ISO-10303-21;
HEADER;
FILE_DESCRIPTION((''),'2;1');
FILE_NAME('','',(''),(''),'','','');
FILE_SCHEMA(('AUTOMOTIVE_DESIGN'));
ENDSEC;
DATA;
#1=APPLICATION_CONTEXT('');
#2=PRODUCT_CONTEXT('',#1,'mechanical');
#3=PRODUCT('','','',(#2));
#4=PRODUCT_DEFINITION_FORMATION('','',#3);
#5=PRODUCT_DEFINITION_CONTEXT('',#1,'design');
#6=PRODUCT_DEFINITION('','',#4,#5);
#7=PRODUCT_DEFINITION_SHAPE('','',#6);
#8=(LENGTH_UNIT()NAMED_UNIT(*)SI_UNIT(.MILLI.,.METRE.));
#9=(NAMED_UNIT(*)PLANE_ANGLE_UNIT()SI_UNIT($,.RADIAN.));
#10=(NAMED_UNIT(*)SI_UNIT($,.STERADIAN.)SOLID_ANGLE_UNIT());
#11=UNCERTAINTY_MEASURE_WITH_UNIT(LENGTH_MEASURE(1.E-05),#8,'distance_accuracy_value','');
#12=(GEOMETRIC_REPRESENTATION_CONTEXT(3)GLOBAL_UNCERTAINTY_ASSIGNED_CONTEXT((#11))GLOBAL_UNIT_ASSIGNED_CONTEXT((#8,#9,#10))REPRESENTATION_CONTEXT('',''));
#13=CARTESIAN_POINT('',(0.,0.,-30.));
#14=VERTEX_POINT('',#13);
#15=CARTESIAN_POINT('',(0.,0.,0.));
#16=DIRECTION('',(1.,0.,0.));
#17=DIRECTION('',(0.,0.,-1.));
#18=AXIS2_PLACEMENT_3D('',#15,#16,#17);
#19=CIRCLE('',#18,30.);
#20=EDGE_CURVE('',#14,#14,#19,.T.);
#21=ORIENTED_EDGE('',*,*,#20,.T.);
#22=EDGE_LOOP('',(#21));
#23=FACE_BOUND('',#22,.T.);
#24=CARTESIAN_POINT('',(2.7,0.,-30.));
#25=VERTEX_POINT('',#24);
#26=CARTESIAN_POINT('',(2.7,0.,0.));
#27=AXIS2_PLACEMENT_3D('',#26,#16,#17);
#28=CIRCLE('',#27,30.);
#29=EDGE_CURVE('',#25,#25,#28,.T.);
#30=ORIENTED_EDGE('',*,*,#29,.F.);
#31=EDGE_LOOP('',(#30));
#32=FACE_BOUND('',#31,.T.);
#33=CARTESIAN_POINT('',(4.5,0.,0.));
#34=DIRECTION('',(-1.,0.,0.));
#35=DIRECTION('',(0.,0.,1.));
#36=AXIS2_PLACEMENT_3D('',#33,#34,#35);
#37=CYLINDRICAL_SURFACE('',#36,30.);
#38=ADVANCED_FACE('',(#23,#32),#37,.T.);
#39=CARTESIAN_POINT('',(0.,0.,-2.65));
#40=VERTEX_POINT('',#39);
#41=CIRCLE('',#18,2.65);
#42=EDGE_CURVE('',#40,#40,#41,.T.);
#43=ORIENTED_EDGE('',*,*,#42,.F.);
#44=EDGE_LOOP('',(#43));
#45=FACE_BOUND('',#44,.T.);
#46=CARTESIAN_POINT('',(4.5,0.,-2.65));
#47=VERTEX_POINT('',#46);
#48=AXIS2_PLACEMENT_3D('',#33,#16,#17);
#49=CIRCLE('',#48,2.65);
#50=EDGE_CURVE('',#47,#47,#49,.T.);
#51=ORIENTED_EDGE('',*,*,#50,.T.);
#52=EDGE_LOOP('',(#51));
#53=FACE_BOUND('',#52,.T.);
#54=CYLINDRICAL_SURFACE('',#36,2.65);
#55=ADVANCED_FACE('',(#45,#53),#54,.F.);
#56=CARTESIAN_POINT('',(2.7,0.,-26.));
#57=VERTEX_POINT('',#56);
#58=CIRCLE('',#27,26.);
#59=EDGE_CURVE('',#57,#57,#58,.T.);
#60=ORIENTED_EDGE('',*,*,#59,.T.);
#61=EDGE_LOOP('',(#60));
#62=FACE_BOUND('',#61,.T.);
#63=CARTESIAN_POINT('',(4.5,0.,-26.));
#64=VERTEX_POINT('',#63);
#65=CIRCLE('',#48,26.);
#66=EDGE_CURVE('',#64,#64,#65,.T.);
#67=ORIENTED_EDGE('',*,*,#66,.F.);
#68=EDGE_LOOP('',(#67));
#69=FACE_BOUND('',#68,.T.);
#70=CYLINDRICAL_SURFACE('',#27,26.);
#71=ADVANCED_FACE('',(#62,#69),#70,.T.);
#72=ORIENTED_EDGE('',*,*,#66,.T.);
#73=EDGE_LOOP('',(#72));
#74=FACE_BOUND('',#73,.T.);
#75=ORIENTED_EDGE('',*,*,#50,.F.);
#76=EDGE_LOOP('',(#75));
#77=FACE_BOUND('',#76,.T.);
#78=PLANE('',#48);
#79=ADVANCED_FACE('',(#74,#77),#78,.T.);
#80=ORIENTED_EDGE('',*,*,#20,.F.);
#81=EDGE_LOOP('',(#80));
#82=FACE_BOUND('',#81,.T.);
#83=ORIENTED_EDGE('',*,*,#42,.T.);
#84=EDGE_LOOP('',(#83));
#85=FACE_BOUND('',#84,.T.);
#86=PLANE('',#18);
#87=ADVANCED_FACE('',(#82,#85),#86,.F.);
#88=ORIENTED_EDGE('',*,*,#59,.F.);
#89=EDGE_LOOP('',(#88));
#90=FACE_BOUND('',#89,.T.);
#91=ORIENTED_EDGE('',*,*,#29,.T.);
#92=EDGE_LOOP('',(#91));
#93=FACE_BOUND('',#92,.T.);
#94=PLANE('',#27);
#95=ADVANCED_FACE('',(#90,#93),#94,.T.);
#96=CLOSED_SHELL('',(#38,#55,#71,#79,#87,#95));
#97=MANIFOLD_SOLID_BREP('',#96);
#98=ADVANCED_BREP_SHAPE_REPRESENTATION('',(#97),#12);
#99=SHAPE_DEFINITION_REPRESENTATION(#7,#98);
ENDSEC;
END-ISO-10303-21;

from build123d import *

# Parameters (mm, degrees)
SKETCH1_R           = 30
SKETCH1_R_2         = 2.65
BOSS_EXTRUDE1_DEPTH = 4.5
SKETCH2_R           = 50
SKETCH2_R_2         = 26
CUT_EXTRUDE1_DEPTH  = 1.8


with BuildPart() as part:
    # Sketch1 → Boss-Extrude1 (new body)
    with BuildSketch(Plane(origin=(0, 0, 0), x_dir=(0, 0, -1), z_dir=(1, 0, 0))):
        Circle(SKETCH1_R)
        Circle(SKETCH1_R_2, mode=Mode.SUBTRACT)
    extrude(amount=BOSS_EXTRUDE1_DEPTH)

    # Sketch2 → Cut-Extrude1 (cut)
    with BuildSketch(Plane(origin=(4.5, 0, 0), x_dir=(0, 0, -1), z_dir=(1, 0, 0))):
        Circle(SKETCH2_R)
        Circle(SKETCH2_R_2, mode=Mode.SUBTRACT)
    extrude(amount=-CUT_EXTRUDE1_DEPTH, mode=Mode.SUBTRACT)


solid = part.part
